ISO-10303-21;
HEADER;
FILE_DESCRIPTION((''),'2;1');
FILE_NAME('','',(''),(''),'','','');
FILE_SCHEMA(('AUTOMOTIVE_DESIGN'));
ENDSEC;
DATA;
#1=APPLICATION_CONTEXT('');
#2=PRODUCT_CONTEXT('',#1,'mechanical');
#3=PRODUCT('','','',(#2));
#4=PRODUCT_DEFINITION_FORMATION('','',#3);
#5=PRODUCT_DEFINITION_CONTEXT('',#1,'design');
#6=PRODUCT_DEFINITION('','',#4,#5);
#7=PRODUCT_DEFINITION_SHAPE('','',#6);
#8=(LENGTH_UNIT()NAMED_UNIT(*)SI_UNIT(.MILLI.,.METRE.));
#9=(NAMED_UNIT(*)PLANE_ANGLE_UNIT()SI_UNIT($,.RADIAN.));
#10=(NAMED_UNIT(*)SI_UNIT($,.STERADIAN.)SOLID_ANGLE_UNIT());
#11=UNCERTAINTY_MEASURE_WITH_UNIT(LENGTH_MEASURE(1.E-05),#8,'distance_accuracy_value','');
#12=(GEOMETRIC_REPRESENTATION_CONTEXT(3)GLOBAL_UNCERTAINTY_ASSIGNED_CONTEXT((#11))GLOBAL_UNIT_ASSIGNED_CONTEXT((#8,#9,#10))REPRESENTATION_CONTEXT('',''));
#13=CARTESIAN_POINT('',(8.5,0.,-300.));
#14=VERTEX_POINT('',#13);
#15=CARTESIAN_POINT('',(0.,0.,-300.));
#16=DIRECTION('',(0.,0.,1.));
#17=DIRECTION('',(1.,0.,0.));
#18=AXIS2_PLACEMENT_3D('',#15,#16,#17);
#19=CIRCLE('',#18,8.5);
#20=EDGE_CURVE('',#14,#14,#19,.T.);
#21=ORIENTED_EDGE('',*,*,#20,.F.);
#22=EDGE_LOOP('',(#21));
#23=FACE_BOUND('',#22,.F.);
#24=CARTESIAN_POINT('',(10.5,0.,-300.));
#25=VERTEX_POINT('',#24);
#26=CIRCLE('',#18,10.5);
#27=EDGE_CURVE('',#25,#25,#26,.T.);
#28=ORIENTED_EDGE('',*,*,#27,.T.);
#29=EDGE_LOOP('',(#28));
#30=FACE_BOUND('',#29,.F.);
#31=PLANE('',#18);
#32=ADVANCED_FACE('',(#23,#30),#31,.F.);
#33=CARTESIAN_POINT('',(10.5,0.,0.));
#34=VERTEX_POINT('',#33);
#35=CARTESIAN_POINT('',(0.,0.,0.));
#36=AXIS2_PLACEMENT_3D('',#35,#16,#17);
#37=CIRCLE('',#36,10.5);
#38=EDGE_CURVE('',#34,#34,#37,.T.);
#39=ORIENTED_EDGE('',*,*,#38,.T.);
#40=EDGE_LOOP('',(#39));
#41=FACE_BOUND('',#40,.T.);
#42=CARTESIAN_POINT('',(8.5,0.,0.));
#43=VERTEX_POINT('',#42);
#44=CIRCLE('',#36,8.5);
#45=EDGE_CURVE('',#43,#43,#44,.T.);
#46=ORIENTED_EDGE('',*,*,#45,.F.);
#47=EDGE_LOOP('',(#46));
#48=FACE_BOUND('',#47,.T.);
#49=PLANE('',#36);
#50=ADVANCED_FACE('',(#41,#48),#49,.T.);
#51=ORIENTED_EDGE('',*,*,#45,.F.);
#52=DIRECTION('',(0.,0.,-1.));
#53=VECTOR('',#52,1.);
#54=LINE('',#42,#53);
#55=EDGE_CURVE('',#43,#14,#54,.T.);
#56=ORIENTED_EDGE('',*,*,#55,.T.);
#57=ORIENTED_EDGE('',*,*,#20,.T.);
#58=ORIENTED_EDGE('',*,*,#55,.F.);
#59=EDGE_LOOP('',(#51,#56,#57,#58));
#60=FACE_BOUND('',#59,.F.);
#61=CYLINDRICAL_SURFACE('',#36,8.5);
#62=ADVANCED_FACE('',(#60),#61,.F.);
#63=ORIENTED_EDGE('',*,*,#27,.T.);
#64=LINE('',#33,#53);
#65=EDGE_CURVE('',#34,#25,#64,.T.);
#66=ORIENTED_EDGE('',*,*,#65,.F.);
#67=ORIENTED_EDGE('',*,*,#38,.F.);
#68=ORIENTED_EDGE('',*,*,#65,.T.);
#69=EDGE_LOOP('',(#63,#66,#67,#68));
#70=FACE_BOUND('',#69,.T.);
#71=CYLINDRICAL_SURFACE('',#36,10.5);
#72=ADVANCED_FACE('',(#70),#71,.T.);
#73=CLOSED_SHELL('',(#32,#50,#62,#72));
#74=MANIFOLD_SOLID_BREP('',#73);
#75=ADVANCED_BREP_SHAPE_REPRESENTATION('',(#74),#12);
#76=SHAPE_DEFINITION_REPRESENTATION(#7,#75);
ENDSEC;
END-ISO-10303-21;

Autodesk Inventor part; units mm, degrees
ref_plane "YZ Plane" through (0, 0, 0) normal (1, 0, 0) x (0, 1, 0)
ref_plane "XZ Plane" through (0, 0, 0) normal (0, 1, 0) x (-1, 0, 0)
ref_plane "XY Plane" through (0, 0, 0) normal (0, 0, 1) x (1, 0, 0)
sketch "Sketch11" plane through (0, 0, 0) normal (0, 0, 1) x (1, 0, 0)
  circle A0 centre (0, 0) radius 10.5
  circle A1 centre (0, 0) radius 8.5
  dimension "d187" = 21
  dimension "d188" = 2
extrude "Extrusion5" add sketch "Sketch11" against normal blind 300
properties part number "TKS 3544 FDS thread  tube4" material "Stainless Steel"
